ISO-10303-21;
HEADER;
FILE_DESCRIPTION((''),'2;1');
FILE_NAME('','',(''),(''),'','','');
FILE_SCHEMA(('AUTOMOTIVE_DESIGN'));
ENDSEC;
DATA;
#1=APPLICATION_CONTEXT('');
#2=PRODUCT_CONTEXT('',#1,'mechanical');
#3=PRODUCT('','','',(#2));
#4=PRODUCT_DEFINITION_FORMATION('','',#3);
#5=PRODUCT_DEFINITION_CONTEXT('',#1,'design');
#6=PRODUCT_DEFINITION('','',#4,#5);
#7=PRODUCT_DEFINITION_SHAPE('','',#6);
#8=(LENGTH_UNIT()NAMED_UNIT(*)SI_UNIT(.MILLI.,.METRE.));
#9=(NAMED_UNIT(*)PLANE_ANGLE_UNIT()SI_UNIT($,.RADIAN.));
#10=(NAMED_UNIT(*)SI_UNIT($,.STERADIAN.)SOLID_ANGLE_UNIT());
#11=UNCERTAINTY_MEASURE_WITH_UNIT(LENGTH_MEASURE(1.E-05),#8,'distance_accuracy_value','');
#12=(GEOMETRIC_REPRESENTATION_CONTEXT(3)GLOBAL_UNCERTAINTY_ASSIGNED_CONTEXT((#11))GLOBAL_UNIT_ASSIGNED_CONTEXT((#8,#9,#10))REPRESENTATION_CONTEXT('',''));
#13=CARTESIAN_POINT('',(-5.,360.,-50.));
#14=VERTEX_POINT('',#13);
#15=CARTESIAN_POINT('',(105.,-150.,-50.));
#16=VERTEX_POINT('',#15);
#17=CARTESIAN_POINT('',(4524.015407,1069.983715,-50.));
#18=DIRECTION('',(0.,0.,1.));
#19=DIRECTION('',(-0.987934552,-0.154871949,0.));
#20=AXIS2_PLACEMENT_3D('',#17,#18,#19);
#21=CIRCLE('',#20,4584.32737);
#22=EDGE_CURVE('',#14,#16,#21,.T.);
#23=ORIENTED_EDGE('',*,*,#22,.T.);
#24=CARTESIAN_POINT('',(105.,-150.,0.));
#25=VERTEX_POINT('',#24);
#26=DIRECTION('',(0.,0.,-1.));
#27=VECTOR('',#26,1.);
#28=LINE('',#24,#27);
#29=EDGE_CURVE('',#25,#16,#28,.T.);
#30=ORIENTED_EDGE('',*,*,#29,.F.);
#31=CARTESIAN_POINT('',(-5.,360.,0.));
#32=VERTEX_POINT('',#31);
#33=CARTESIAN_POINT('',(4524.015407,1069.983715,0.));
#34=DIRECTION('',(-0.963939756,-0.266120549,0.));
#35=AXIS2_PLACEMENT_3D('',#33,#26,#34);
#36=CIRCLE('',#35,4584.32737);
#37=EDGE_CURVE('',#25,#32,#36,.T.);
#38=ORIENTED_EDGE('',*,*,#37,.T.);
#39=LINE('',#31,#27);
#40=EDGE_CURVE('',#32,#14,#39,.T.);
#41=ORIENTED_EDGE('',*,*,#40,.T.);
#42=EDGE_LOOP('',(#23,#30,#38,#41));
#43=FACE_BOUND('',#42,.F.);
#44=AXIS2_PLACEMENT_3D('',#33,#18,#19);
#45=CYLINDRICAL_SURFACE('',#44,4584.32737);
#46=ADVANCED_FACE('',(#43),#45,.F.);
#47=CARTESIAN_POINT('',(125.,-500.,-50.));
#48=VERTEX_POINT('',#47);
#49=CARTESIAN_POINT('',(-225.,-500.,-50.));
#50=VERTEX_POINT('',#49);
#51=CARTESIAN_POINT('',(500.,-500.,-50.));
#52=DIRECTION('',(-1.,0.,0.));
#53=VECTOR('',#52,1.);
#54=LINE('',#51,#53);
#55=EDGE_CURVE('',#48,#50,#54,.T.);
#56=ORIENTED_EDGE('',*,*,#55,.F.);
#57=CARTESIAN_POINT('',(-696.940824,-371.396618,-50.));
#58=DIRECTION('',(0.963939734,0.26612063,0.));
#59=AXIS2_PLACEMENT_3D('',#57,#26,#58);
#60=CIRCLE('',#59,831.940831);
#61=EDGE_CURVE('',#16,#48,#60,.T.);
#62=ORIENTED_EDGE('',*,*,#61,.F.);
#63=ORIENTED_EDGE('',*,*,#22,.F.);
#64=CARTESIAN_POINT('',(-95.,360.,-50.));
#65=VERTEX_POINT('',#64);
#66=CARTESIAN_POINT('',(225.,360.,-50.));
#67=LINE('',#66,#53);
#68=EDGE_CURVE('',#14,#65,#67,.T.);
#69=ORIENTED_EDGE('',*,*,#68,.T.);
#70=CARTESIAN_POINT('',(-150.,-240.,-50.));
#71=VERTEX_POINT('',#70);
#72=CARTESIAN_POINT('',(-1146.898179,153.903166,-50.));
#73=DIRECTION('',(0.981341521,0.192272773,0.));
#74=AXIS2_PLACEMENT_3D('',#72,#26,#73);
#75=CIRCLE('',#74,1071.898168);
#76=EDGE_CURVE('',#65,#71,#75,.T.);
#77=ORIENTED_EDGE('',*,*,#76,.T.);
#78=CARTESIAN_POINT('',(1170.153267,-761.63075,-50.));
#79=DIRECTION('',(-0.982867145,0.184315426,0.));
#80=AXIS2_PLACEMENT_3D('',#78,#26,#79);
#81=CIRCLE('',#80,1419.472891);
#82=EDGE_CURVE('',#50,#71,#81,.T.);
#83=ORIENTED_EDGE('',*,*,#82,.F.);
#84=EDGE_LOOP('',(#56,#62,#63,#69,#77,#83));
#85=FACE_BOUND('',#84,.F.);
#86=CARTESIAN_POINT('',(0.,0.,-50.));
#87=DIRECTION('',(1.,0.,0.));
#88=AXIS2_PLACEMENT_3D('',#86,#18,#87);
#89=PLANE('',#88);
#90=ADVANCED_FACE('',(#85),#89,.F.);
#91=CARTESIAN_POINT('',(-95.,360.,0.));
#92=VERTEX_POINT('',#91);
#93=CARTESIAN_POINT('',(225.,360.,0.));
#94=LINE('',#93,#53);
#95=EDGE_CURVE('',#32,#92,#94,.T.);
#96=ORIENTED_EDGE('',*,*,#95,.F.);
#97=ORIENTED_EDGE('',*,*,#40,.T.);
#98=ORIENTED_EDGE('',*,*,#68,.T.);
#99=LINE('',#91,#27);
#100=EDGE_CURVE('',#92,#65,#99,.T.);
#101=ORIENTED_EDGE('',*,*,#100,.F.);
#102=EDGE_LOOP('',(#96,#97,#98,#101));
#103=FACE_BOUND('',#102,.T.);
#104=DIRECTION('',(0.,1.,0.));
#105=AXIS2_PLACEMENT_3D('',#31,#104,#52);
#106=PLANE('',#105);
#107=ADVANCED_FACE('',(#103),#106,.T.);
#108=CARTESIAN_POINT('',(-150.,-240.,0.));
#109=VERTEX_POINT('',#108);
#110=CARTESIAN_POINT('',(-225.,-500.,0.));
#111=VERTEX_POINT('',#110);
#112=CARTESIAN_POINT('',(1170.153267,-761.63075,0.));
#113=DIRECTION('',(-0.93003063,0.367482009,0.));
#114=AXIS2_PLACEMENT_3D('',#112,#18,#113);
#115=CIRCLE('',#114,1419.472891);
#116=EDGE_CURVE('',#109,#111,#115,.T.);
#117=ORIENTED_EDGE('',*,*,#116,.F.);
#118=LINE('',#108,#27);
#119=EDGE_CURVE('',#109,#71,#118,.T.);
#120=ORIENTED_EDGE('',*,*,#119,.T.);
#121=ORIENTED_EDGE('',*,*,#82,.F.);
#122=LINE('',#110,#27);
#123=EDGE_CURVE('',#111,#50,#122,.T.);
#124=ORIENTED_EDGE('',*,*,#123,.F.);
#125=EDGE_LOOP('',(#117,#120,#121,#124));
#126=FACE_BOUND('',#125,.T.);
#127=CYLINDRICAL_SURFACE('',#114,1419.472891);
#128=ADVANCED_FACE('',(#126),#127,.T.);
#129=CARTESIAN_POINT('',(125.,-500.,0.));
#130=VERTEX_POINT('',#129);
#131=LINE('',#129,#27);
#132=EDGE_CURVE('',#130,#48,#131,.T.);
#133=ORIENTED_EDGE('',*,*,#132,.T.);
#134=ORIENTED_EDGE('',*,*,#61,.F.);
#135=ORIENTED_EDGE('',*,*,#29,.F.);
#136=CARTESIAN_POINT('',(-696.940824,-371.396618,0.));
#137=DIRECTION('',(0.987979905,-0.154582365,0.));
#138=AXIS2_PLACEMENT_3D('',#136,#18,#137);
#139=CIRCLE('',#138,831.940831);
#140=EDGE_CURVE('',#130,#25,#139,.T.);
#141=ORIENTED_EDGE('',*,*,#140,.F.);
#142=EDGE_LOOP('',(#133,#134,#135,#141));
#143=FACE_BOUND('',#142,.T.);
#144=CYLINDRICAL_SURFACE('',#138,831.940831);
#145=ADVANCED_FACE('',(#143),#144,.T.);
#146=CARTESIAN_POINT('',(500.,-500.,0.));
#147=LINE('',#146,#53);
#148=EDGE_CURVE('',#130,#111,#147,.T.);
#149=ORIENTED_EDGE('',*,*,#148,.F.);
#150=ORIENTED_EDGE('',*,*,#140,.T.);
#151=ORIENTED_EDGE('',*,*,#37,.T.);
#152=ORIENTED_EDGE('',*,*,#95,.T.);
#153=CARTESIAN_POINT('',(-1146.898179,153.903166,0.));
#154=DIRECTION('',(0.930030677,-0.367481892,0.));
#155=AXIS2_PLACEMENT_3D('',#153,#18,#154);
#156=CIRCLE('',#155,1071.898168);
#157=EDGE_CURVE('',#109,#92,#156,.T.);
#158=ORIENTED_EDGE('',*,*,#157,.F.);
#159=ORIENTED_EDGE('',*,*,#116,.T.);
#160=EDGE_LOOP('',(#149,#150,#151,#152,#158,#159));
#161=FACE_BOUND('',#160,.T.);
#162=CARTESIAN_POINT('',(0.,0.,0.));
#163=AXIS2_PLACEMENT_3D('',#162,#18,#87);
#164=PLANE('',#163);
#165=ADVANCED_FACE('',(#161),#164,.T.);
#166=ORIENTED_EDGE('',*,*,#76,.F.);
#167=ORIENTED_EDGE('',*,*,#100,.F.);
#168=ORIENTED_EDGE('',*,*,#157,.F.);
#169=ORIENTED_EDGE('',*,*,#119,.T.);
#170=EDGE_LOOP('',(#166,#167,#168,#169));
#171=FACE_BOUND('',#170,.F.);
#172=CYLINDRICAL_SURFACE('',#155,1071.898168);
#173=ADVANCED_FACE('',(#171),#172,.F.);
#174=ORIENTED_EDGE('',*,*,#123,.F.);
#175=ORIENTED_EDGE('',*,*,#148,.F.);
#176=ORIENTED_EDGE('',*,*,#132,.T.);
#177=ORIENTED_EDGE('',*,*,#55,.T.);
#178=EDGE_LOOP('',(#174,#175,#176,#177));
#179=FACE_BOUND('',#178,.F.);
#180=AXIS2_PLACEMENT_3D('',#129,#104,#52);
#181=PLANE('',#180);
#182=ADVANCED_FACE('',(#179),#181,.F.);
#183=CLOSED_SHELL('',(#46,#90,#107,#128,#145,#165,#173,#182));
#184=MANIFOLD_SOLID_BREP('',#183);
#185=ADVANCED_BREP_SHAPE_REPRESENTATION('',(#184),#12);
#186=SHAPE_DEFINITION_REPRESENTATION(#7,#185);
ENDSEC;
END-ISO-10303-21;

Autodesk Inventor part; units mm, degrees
ref_plane "YZ Plane" through (0, 0, 0) normal (1, 0, 0) x (0, 1, 0)
ref_plane "XZ Plane" through (0, 0, 0) normal (0, 1, 0) x (-1, 0, 0)
ref_plane "XY Plane" through (0, 0, 0) normal (0, 0, 1) x (1, 0, 0)
sketch "Skizze3" plane through (0, 0, 0) normal (0, 0, 1) x (1, 0, 0)
  line L0 (-500, 500) -> (500, 500)
  line L1 (500, 500) -> (500, -500)
  line L2 (500, -500) -> (-500, -500)
  line L3 (-500, -500) -> (-500, 500)
  line L4 (-500, 500) -> (-275, 500)
  line L5 (-275, 500) -> (-275, 440)
  line L6 (-275, 440) -> (-500, 440)
  line L7 (-500, 440) -> (-500, 500)
  line L8 (500, 500) -> (275, 500)
  line L9 (275, 500) -> (275, 440)
  line L10 (275, 440) -> (500, 440)
  line L11 (500, 440) -> (500, 500)
  line L12 (-275, 500) -> (275, 500)
  line L13 (275, 500) -> (275, 300)
  line L14 (275, 300) -> (-275, 300)
  line L15 (-275, 300) -> (-275, 500)
  line L16 (-225, 300) -> (225, 300)
  line L17 (225, 300) -> (225, 360)
  line L18 (225, 360) -> (-225, 360)
  line L19 (-225, 360) -> (-225, 300)
  line L20 (-500, -500) -> (500, -500)
  line L21 (500, -500) -> (500, -440)
  line L22 (500, -440) -> (-500, -440)
  line L23 (-500, -440) -> (-500, -500)
  line L24 (-440, 440) -> (-500, 440)
  line L25 (-500, 440) -> (-500, -440)
  line L26 (-500, -440) -> (-440, -440)
  line L27 (-440, -440) -> (-440, 440)
  line L28 (500, 440) -> (440, 440)
  line L29 (440, 440) -> (440, -440)
  line L30 (440, -440) -> (500, -440)
  line L31 (500, -440) -> (500, 440)
  arc A0 (-270, -10) -> (-225, 300) centre (-1315.2778, 300) ccw
  arc A1 (-500, -250) -> (-270, -10) centre (-617.8721, 93.1691) ccw
  arc A2 (225, 300) -> (280, 0) centre (1070.6818, 300) ccw
  arc A3 (280, 0) -> (500, -300) centre (931.7592, 247.2901) ccw
  arc A4 (-150, -240) -> (-95, 360) centre (-1146.8979, 153.9031) ccw
  arc A5 (-150, -240) -> (-225, -500) centre (1170.154, -761.631) ccw
  arc A6 (-5, 360) -> (105, -150) centre (4524.0164, 1069.9839) ccw
  arc A7 (125, -500) -> (105, -150) centre (-696.9412, -371.3966) ccw
  circle A8 centre (-165, 430) radius 12.5
  circle A9 centre (-65, 430) radius 12.5
  circle A10 centre (115, 430) radius 12.5
  line L32 (-440, 440) -> (-500, 440)
  line L33 (-500, 440) -> (-500, -440)
  line L34 (-500, -440) -> (-440, -440)
  line L35 (-440, -440) -> (-440, 440)
  line L36 (440, -440) -> (500, -440)
  line L37 (500, -440) -> (500, 440)
  line L38 (500, 440) -> (440, 440)
  line L39 (440, 440) -> (440, -440)
  line L40 (-500, -250) -> (-500, -500)
  line L41 (-500, -500) -> (-225, -500)
  line L42 (-225, 360) -> (-95, 360)
  line L43 (-95, 360) -> (-5, 360)
  line L44 (-5, 360) -> (225, 360)
  line L45 (-225, -500) -> (125, -500)
  line L46 (125, -500) -> (500, -500)
  line L47 (500, -500) -> (500, -300)
  point P0 (0, 0)
  point P1 (-500.0625, 0)
  point P2 (0, 500.0625)
  point P3 (-500, 0)
  point P4 (0, 500)
  point P5 (0, 360)
  dimension "d5" = 1000
  dimension "d8" = 1000
  dimension "d9" = 60
  dimension "d10" = 225
  dimension "d11" = 225
  dimension "d12" = 550
  dimension "d13" = 200
  dimension "d14" = 450
  dimension "d15" = 60
  dimension "d16" = 60
  dimension "d17" = 880
  dimension "d18" = 60
  dimension "d19" = 60
  dimension "d20" = 250
  dimension "d21" = 230
  dimension "d22" = 240
  dimension "d23" = 200
  dimension "d24" = 300
  dimension "d25" = 220
  dimension "d26" = 130
  dimension "d27" = 150
  dimension "d28" = 275
  dimension "d29" = 75
  dimension "d30" = 260
  dimension "d31" = 90
  dimension "d32" = 230
  dimension "d33" = 375
  dimension "d34" = 350
  dimension "d35" = 365
  dimension "d36" = 350
  dimension "d37" = 20
  dimension "d38" = 25
  dimension "d39" = 70
  dimension "d40" = 60
  dimension "d41" = 110
  dimension "d42" = 30
extrude "Extrusion10" add sketch "Skizze3" against normal blind 50 contours A4 L18 A6 L14 | L14 A6 A7 L22 A5 A4 | A5 L22 A7 L2
equation "\"d16\" = d9"
equation "\"d18\" = d9"
equation "\"d19\" = d9"
properties part number "UA-70 Platten mitte"
